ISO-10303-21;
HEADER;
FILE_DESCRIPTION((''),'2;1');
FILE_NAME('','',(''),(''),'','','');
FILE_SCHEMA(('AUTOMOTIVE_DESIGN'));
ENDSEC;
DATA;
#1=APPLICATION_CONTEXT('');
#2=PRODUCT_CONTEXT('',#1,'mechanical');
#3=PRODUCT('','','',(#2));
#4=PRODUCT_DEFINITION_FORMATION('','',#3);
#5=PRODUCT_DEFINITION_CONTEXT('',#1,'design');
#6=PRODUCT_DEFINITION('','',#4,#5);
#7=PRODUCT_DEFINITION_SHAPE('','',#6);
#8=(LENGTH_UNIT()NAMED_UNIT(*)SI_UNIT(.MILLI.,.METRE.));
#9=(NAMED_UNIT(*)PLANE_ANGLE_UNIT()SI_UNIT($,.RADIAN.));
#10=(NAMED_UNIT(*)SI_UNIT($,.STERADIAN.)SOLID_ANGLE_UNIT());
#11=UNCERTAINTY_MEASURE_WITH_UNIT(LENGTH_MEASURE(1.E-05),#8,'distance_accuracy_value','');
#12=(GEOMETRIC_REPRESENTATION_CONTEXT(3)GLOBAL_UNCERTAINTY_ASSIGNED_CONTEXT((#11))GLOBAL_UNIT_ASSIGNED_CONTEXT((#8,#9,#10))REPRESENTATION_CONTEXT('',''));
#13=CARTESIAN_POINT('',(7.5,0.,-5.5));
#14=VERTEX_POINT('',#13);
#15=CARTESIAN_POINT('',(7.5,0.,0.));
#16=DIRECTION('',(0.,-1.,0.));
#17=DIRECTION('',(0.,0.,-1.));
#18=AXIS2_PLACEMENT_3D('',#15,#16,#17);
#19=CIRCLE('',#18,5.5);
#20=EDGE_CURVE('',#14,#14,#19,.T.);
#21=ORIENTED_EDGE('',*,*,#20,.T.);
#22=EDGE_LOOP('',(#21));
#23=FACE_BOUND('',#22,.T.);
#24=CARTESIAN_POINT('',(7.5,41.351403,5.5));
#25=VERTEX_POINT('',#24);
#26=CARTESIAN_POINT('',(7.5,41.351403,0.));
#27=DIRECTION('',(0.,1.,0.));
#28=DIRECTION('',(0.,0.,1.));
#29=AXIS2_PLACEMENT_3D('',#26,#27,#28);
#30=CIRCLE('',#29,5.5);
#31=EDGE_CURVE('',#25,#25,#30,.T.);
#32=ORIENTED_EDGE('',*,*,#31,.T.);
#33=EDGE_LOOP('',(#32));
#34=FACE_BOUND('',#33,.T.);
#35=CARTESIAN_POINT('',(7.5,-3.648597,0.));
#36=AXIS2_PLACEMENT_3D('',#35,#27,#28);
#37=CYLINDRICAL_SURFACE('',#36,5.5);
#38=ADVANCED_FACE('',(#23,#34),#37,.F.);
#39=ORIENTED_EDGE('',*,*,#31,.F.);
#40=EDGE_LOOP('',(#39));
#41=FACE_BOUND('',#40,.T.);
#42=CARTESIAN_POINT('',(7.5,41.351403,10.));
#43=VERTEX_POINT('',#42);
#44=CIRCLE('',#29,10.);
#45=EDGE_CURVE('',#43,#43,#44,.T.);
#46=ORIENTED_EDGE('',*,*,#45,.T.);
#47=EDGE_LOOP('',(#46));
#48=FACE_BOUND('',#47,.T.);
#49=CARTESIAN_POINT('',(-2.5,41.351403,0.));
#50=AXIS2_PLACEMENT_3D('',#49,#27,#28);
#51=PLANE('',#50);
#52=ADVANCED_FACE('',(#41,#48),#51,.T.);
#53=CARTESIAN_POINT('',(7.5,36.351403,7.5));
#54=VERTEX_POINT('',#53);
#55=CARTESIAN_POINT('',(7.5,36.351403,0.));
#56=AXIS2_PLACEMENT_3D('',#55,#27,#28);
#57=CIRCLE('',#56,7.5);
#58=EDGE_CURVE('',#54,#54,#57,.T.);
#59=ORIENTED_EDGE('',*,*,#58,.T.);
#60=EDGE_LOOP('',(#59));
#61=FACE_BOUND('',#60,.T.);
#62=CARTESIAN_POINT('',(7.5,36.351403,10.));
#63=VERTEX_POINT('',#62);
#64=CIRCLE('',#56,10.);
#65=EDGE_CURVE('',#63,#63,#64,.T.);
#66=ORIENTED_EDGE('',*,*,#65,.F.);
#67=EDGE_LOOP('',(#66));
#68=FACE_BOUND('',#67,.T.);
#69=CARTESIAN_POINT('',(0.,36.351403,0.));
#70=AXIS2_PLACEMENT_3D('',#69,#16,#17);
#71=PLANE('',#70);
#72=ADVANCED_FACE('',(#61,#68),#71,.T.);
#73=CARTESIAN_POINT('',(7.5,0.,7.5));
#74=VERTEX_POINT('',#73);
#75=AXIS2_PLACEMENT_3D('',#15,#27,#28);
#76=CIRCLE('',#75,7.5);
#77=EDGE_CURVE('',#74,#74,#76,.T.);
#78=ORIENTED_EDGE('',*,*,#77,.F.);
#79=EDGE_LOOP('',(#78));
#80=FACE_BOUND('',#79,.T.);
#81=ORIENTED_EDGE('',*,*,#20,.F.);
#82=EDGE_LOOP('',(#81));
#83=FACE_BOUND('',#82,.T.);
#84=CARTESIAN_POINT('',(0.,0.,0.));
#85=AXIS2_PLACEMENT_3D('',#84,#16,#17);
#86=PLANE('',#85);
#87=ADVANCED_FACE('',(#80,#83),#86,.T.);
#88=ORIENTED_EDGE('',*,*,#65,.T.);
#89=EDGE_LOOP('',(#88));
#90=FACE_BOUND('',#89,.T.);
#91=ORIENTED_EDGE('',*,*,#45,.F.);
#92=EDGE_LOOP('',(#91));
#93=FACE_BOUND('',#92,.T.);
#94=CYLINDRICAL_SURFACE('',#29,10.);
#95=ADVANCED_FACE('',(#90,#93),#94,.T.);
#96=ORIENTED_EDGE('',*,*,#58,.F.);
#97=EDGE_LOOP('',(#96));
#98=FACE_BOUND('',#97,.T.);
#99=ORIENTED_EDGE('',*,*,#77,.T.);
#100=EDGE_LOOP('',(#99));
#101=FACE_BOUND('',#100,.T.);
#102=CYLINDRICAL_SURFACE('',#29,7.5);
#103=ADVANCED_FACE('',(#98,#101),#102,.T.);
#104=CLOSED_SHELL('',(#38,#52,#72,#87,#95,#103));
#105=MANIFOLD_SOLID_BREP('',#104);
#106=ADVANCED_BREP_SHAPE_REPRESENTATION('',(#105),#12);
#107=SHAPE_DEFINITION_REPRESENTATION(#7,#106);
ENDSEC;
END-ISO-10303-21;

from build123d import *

# Parameters (mm, degrees)
SKETCH2_R          = 5.5
CUT_EXTRUDE1_DEPTH = 45


with BuildPart() as part:
    # Sketch1 → Revolve1 (revolve)
    with BuildSketch(Plane.XY):
        Polygon((0, 0), (0, 36.351403058), (-2.5, 36.351403058), (-2.5, 41.351403058), (7.5, 41.351403058), (7.5, 0), align=None)
    revolve(axis=Axis((7.5, 41.351403058, 0), (0, -1, 0)))

    # Sketch2 → Cut-Extrude1 (cut)
    with BuildSketch(Plane(origin=(0, 41.351403058, 0), x_dir=(1, 0, 0), z_dir=(0, 1, 0))):
        with Locations((7.5, 0)):
            Circle(SKETCH2_R)
    extrude(amount=-CUT_EXTRUDE1_DEPTH, mode=Mode.SUBTRACT)


solid = part.part
